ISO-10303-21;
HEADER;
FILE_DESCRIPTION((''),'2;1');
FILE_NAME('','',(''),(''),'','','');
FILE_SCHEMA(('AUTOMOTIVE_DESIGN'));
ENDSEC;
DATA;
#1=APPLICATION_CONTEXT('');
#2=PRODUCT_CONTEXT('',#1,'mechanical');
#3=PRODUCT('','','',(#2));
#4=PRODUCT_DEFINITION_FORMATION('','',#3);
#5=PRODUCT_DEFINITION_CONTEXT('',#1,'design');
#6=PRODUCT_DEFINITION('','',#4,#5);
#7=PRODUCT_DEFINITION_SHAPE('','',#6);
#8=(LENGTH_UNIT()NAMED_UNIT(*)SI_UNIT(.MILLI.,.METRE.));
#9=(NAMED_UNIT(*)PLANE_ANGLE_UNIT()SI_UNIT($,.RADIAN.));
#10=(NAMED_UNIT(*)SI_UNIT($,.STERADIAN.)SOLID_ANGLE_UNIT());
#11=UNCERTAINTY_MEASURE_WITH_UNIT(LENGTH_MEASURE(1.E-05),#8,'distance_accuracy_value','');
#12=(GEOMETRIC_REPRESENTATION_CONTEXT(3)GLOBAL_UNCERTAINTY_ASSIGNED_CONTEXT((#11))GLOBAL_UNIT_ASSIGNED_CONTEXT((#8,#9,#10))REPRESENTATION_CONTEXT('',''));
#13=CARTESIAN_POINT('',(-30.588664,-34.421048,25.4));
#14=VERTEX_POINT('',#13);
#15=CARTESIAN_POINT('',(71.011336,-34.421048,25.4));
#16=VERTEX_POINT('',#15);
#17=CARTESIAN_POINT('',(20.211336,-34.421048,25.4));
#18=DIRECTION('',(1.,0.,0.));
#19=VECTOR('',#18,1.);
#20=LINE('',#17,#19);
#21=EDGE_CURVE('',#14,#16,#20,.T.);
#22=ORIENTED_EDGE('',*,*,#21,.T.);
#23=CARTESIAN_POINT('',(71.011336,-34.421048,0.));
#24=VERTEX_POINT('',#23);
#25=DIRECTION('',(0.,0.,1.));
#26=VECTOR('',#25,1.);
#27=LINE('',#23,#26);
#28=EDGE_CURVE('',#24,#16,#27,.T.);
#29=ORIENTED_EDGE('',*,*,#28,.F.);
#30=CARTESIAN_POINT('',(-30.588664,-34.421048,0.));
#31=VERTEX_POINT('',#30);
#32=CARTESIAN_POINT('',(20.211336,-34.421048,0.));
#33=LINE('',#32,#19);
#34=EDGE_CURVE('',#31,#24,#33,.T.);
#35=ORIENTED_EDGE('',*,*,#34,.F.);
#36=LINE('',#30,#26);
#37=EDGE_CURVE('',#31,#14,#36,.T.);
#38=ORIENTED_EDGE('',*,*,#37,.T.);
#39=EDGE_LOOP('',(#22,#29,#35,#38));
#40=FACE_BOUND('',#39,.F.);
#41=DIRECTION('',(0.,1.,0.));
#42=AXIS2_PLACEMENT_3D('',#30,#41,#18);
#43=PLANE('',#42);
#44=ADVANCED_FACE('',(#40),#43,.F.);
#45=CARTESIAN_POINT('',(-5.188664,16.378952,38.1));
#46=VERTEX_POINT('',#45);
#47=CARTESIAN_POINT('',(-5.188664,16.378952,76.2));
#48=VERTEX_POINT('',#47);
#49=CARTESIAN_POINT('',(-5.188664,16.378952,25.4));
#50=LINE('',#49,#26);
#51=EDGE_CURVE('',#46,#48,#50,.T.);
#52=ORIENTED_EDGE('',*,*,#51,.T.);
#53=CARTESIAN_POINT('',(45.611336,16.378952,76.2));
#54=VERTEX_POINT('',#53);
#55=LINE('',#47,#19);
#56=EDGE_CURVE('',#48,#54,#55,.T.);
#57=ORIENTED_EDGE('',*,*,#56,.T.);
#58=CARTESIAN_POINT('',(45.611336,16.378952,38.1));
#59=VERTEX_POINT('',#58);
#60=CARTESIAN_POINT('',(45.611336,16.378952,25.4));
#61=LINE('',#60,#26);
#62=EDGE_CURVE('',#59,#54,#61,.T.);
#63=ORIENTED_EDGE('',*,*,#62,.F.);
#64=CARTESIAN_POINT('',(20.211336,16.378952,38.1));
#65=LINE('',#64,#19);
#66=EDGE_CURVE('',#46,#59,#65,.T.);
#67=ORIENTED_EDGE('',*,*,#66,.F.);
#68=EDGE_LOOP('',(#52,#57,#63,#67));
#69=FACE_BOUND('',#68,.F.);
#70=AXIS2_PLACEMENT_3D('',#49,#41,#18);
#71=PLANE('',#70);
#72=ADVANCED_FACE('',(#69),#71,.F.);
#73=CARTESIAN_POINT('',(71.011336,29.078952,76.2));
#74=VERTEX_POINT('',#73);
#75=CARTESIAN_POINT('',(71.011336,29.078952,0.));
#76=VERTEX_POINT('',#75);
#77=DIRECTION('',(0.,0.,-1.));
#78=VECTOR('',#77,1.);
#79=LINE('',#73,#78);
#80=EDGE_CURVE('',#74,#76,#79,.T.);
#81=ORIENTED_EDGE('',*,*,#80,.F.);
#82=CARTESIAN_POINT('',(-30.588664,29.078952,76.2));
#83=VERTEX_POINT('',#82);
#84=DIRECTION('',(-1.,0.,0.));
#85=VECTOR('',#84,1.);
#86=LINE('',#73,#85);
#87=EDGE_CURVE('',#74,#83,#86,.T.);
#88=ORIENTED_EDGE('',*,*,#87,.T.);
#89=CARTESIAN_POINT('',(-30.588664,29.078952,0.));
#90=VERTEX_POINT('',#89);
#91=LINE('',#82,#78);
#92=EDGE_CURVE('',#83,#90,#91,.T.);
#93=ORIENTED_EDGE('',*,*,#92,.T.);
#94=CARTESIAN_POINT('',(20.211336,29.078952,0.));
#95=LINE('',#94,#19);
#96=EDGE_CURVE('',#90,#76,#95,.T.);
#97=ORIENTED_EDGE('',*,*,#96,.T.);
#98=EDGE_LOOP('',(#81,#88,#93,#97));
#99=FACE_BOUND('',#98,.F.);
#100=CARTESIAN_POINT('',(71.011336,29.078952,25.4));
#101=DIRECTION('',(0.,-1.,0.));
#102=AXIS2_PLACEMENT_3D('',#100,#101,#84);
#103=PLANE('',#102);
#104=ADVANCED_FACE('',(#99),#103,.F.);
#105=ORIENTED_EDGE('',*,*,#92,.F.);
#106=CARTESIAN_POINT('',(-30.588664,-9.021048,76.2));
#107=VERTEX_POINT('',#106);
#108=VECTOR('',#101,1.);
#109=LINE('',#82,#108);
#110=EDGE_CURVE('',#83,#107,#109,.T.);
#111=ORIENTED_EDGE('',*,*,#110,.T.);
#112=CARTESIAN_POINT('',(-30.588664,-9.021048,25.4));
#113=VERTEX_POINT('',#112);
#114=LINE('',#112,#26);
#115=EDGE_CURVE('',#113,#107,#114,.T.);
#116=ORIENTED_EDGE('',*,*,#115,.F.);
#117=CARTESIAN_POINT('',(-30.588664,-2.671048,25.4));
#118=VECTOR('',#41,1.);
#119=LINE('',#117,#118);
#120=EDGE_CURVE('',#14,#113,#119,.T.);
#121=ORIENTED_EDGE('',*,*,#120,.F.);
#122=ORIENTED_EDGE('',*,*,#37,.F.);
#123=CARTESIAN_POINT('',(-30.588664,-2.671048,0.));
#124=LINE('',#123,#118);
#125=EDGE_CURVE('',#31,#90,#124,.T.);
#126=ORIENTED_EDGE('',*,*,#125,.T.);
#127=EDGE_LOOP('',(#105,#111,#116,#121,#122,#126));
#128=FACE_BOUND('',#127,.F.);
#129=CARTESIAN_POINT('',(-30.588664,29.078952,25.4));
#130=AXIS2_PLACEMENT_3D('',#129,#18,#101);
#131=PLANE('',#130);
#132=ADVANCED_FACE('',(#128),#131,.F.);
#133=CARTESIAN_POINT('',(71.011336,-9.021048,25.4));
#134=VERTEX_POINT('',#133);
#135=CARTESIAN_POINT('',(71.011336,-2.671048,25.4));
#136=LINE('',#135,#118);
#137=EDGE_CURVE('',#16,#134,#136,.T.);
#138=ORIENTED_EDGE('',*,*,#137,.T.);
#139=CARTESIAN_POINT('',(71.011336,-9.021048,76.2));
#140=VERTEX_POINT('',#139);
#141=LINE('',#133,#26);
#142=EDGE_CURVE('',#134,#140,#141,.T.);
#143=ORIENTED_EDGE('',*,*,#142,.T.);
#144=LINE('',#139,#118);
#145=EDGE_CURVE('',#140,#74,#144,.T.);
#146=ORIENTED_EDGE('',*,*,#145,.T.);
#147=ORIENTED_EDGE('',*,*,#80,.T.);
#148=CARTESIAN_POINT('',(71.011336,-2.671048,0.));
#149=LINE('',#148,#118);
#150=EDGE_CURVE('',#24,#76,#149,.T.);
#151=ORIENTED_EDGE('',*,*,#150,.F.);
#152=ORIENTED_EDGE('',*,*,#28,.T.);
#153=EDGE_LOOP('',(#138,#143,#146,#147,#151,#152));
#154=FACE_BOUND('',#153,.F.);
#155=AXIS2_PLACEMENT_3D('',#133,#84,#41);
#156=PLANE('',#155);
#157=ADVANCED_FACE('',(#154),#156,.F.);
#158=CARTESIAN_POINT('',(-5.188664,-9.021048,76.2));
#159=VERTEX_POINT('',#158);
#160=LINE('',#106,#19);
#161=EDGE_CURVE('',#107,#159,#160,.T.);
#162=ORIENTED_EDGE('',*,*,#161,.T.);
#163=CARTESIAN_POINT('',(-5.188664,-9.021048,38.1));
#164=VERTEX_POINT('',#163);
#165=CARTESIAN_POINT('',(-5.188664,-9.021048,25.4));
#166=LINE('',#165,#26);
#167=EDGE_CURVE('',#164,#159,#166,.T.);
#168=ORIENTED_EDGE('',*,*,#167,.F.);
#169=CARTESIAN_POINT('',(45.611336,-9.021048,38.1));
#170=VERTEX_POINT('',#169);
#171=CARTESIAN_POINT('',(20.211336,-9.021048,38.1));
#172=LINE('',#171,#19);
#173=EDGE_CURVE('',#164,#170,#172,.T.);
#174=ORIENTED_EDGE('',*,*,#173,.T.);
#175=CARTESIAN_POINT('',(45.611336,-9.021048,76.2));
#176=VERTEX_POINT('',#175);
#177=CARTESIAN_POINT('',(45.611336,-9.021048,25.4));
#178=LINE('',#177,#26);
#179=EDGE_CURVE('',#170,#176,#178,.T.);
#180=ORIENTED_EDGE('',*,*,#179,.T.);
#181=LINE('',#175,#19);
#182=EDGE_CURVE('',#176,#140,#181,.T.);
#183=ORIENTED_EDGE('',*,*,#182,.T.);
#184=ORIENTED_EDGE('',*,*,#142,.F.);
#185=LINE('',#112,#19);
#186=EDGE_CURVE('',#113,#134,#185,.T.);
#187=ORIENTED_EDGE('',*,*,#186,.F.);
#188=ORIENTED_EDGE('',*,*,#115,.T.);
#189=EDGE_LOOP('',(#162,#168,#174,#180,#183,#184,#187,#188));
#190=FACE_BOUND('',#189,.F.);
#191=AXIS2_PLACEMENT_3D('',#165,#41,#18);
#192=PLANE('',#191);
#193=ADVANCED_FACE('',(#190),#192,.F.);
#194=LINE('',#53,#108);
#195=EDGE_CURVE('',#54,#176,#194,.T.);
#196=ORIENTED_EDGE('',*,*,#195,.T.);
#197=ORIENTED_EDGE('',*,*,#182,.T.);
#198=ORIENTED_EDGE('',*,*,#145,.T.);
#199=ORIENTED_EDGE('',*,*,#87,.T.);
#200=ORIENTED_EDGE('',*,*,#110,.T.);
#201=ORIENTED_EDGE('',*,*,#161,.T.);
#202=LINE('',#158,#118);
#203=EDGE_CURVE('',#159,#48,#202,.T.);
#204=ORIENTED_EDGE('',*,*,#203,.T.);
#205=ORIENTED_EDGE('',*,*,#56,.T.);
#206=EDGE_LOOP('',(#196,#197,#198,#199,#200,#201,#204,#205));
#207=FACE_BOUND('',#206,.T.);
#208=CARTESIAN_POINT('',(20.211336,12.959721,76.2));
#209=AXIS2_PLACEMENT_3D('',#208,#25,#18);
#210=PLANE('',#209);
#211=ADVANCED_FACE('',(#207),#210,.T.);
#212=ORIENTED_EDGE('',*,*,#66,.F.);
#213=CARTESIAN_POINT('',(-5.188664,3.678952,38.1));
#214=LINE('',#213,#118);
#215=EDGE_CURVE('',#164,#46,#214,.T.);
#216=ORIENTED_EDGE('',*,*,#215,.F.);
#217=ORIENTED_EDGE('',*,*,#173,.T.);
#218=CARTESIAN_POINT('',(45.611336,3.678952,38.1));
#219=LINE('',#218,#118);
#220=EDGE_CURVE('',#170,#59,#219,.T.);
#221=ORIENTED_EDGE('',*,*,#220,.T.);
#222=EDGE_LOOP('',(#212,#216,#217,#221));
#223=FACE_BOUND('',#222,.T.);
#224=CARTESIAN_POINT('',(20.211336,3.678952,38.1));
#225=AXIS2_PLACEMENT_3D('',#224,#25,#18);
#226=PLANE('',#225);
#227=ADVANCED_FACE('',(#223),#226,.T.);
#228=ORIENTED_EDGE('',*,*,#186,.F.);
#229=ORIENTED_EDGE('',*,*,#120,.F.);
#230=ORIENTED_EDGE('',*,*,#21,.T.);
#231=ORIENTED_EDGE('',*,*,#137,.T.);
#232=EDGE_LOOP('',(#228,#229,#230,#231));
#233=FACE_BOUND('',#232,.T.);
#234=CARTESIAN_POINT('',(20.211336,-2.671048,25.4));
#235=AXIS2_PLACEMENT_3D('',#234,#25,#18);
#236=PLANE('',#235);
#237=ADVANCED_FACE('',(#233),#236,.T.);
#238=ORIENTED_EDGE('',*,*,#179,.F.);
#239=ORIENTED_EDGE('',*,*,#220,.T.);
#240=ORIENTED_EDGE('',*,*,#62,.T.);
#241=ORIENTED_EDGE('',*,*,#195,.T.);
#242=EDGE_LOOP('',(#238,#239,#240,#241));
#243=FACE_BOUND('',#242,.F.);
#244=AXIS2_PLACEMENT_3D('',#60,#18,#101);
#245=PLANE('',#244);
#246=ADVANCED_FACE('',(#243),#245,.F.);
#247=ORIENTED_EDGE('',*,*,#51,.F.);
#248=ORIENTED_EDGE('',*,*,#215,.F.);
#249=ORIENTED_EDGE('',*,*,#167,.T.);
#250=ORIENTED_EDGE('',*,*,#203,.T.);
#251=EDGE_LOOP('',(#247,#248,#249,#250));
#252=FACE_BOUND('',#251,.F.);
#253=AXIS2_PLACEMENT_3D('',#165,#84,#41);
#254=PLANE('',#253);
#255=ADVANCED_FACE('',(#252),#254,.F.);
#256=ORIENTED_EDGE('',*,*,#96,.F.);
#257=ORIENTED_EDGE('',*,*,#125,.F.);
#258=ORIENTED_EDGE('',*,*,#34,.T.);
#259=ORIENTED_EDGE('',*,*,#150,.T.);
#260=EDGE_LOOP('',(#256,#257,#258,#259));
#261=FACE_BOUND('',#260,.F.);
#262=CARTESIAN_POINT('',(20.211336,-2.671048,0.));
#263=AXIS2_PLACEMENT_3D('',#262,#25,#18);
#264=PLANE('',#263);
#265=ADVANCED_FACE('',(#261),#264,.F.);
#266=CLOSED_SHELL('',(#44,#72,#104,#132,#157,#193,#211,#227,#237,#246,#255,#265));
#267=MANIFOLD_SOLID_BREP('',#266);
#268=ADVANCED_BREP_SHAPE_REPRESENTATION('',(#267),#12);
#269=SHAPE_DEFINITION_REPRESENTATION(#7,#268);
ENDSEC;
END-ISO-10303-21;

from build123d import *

# Parameters (mm, degrees)
F0_W     = 101.6
F0_H     = 63.5
F1_DEPTH = 25.4
F3_DEPTH = 50.8
F4_W     = 50.8
F4_H     = 25.4
F5_DEPTH = 12.7


with BuildPart() as f1:
    # F0 (on Top) → F1 (new body)
    with BuildSketch(Plane.XY):
        with Locations((20.211336, -2.671048)):
            Rectangle(F0_W, F0_H)
    extrude(amount=F1_DEPTH)

    # F2 (on face) → F3 (join)
    with BuildSketch(Plane.XY.offset(25.4)):
        Polygon((-30.588664, 29.078952), (-30.588664, -9.021048), (-5.188664, -9.021048), (-5.188664, 16.378952), (45.611336, 16.378952), (45.611336, -9.021048), (71.011336, -9.021048), (71.011336, 29.078952), align=None)
    extrude(amount=F3_DEPTH)

    # F4 (on face) → F5 (join)
    with BuildSketch(Plane.XY.offset(25.4)):
        with Locations((20.211336, 3.678952)):
            Rectangle(F4_W, F4_H)
    extrude(amount=F5_DEPTH)


solid = f1.part
